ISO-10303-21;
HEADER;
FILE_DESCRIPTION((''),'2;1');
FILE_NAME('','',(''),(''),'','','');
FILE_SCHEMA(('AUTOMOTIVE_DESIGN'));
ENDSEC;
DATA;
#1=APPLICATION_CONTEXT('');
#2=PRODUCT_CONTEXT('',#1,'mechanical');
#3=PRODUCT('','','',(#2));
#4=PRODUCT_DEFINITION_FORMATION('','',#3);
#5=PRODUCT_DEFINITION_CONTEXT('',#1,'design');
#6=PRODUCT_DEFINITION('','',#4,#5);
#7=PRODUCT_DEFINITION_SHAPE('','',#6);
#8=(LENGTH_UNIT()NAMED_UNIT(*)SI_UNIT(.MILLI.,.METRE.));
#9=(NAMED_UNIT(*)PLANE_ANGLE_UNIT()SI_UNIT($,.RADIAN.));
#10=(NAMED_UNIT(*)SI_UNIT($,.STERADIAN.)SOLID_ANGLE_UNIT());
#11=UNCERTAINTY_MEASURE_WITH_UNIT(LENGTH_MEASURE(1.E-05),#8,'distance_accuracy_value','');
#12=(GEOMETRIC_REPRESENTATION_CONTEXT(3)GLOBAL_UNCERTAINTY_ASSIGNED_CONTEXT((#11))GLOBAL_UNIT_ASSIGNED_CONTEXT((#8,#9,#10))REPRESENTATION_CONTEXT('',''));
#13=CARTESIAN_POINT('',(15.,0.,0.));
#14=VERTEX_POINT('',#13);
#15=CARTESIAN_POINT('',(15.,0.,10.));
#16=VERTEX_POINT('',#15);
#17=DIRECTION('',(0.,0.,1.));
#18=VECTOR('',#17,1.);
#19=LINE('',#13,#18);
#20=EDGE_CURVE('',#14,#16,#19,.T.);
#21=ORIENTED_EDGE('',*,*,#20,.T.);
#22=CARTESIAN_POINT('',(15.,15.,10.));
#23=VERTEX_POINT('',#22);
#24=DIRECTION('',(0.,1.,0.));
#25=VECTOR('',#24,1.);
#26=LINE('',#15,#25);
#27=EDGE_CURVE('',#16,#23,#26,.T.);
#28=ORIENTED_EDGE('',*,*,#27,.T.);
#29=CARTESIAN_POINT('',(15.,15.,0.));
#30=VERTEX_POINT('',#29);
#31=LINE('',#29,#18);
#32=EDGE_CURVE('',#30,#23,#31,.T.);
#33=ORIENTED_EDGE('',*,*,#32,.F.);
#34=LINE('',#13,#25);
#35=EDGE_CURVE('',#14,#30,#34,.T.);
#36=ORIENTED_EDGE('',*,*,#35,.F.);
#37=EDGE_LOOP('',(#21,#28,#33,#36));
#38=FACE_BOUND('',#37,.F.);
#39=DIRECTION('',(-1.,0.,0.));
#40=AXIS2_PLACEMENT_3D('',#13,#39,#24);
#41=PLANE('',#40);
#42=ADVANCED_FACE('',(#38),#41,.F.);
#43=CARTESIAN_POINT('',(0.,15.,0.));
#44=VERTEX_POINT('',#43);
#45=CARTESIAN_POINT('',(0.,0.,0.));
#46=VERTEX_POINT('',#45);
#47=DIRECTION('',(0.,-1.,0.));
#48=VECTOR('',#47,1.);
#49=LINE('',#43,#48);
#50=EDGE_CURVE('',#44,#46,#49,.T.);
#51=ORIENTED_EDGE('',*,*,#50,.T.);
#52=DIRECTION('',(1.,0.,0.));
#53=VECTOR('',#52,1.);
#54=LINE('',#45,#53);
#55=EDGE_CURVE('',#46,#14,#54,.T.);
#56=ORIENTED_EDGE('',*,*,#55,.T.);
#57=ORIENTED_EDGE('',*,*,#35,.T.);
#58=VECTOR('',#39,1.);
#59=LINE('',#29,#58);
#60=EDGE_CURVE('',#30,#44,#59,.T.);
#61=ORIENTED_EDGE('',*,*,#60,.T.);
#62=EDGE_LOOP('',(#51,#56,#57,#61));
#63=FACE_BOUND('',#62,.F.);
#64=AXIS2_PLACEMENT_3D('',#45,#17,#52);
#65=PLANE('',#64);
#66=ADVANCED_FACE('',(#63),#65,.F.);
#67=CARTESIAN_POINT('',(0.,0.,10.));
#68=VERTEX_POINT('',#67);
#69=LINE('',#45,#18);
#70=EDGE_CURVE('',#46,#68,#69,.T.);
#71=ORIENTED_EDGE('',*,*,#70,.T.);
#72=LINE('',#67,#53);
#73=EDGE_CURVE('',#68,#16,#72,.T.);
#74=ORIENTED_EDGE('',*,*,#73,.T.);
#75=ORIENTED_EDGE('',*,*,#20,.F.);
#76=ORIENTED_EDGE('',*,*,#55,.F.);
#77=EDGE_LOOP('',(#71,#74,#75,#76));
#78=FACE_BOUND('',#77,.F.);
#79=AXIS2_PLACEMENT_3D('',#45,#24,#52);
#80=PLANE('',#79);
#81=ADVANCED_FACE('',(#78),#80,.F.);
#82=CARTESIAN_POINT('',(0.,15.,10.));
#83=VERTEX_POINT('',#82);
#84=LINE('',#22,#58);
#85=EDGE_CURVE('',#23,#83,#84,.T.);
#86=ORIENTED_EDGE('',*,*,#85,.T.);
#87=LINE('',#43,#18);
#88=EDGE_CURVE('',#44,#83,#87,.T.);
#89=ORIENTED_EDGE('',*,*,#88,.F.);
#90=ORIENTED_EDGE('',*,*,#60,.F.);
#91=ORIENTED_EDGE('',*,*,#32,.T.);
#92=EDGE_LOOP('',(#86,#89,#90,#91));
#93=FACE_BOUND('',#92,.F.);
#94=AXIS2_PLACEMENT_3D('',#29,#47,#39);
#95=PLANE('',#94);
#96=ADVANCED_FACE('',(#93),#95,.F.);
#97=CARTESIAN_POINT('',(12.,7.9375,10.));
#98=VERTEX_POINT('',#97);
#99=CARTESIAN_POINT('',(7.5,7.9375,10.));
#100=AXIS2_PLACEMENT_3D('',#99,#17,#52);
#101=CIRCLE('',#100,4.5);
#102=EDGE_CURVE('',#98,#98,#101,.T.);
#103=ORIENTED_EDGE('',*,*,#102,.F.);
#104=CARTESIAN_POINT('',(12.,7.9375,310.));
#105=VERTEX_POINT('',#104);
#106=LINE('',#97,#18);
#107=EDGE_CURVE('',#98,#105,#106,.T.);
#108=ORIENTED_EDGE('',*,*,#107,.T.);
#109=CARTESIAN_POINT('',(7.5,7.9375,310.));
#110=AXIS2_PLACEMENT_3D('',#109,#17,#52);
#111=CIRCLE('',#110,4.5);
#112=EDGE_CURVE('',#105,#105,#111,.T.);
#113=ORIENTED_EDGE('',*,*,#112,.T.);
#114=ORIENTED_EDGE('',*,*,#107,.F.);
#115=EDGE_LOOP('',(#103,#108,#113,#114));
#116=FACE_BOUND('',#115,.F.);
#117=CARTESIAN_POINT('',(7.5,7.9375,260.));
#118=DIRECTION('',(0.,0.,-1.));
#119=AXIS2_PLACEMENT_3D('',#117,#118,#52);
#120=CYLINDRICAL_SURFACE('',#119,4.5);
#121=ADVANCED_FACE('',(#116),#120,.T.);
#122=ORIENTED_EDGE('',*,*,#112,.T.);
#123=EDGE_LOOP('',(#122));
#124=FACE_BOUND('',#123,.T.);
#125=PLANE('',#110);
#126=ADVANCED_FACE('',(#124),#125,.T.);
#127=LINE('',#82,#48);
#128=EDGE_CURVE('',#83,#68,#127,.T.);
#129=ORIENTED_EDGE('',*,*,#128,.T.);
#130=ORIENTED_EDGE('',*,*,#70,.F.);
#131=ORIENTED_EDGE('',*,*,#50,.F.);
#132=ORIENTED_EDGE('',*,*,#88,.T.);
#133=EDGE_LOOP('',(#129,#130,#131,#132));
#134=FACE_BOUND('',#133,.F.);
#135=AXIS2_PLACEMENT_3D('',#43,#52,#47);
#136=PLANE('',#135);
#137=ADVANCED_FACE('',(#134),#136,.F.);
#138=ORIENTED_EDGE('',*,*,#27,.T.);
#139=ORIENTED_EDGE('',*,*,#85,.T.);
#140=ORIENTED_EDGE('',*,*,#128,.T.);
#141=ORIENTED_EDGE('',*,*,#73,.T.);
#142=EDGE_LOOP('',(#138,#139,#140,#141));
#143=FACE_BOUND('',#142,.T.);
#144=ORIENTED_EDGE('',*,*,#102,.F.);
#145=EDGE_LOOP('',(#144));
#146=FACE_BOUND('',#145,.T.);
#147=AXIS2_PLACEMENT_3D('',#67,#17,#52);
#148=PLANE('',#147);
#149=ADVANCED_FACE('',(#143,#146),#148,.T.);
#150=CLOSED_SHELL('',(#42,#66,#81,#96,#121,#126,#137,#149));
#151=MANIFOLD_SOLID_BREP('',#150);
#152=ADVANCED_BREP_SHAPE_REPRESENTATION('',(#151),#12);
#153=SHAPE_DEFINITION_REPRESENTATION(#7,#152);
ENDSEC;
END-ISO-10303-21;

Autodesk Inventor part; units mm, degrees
ref_plane "YZ Plane" through (0, 0, 0) normal (1, 0, 0) x (0, 1, 0)
ref_plane "XZ Plane" through (0, 0, 0) normal (0, 1, 0) x (-1, 0, 0)
ref_plane "XY Plane" through (0, 0, 0) normal (0, 0, 1) x (1, 0, 0)
sketch "Sketch1" plane through (0, 0, 0) normal (0, 0, 1) x (1, 0, 0)
  line L0 (0, 0) -> (15, 0)
  line L1 (15, 0) -> (15, 15)
  line L2 (15, 15) -> (0, 15)
  line L3 (0, 15) -> (0, 0)
  dimension "d0" = 15
  dimension "d1" = 15
extrude "Extrusion1" add sketch "Sketch1" along normal blind 10
sketch "Sketch2" plane through (0, 0, 10) normal (0, 0, 1) x (1, 0, 0)
  line L0 (0, 15) -> (7.1003, 15)
  line L1 (15, 15) -> (0, 15) projected
  line L2 (7.5, 15) -> (7.5, 0)
  line L3 (0, 15) -> (7.9375, 15)
  line L4 (0, 0) -> (0, 7.9375)
  line L5 (0, 7.9375) -> (15, 7.9375)
  circle A0 centre (7.5, 7.9375) radius 4.5
  dimension "d15" = 9
extrude "Extrusion2" add sketch "Sketch2" along normal blind 250
thread "Thread1" size "M11x1.5" class "6g" standard "ANSI Metric M Profile" full length
ref_plane "Work Plane1" through (7.5, 7.9375, 260) normal (0, 0, 1) x (1, 0, 0)
sketch "Sketch3" plane through (7.5, 7.9375, 260) normal (0, 0, 1) x (1, 0, 0)
  circle A0 centre (0, 0) radius 5.5 projected
  circle A1 centre (0, 0) radius 4.5
  point P0 (-7.5, -7.9375)
  dimension "d10" = 9
extrude "Extrusion3" add sketch "Sketch3" along normal blind 50 contours A1
thread "Thread2" size "M9x1.25" class "6g" standard "ANSI Metric M Profile" full length
properties part number "nut1"
